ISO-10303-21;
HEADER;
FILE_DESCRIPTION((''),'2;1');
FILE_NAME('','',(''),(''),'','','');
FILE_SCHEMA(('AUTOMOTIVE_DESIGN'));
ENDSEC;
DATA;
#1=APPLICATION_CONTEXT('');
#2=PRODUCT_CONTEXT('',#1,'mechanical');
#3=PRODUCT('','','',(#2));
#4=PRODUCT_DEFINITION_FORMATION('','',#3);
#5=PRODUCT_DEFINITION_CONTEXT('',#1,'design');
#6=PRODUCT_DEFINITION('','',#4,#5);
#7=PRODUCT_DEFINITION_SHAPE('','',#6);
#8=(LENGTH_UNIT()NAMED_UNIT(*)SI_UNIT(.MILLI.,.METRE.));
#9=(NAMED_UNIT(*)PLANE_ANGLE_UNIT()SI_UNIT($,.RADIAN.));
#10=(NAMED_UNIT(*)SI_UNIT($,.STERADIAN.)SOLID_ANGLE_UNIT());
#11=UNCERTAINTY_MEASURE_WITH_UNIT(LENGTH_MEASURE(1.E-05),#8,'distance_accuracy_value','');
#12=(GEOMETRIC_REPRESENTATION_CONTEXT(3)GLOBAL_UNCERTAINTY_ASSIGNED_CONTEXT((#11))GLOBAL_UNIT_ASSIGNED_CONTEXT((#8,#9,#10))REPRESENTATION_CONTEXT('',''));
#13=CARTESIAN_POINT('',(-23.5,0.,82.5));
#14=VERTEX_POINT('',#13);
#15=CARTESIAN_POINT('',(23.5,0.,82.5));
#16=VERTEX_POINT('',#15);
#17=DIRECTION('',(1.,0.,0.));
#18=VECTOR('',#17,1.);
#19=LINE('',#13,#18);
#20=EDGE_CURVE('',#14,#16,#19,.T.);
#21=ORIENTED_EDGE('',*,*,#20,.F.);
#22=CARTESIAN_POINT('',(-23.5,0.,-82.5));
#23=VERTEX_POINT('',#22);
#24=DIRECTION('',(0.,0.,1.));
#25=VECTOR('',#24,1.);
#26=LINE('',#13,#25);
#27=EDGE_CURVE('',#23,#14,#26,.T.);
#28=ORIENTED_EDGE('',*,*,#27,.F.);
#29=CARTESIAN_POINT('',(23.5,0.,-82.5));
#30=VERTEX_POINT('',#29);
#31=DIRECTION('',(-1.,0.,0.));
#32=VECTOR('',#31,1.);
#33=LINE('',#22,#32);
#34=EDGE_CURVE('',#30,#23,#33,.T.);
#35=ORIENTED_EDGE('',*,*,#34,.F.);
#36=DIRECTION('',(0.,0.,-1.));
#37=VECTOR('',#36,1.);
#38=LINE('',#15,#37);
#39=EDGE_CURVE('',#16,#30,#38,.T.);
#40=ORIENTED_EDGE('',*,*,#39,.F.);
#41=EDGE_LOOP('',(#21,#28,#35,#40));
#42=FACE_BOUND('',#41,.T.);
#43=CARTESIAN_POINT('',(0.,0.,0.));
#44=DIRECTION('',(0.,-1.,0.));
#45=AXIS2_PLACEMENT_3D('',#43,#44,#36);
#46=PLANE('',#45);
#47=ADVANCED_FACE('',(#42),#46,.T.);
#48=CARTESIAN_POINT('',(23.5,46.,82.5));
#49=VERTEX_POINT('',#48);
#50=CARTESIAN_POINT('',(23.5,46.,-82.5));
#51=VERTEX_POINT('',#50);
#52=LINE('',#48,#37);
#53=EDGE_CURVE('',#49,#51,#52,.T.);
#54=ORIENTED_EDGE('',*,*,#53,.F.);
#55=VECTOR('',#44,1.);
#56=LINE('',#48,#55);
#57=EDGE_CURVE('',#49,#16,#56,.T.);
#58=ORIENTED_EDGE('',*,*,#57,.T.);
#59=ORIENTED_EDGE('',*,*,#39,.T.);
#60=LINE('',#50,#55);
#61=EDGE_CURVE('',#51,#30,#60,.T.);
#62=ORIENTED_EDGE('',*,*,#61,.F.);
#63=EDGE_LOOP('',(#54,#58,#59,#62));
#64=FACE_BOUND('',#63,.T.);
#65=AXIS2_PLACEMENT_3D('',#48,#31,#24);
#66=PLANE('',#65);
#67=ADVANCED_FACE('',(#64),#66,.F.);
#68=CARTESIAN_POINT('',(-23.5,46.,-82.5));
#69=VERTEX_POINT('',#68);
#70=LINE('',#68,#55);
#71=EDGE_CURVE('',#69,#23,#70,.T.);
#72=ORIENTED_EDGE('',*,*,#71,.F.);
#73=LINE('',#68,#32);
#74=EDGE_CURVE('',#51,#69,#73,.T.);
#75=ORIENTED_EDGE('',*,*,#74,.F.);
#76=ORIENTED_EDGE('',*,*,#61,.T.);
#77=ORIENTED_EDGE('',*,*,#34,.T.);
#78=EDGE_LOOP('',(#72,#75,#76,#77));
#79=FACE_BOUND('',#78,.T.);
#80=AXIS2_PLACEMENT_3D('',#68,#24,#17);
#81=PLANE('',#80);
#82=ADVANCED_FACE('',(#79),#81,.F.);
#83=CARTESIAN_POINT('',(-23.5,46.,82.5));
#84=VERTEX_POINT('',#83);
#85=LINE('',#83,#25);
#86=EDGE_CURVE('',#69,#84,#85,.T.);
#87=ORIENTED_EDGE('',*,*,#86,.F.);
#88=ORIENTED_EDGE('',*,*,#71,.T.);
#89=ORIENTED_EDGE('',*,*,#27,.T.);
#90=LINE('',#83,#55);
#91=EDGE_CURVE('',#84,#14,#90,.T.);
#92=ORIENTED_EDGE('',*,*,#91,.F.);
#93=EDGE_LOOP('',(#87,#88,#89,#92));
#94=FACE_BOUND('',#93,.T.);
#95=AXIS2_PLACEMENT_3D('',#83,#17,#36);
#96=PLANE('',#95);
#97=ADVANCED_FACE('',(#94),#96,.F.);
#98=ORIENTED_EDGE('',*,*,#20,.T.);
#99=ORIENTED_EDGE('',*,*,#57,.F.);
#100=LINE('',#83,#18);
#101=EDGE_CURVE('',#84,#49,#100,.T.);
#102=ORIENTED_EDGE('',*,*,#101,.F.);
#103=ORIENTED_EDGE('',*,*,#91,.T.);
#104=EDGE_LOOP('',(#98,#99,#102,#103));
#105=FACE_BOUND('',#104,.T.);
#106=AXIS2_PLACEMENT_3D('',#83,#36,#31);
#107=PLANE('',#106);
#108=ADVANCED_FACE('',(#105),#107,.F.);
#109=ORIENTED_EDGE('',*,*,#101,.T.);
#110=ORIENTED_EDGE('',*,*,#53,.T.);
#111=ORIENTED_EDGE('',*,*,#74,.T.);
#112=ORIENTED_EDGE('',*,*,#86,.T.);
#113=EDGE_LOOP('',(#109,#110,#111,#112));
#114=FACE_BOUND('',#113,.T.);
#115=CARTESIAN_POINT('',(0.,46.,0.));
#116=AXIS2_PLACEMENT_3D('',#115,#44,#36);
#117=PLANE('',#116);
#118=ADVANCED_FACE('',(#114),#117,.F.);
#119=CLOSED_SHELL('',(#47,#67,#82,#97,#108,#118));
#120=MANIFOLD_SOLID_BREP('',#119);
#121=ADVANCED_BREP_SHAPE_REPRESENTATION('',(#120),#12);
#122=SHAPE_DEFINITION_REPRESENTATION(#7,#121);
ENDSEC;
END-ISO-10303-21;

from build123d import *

# Parameters (mm, degrees)
SKETCH_1_W      = 47
SKETCH_1_H      = 165
EXTRUDE_1_DEPTH = 46


with BuildPart() as part:
    # 草图1 → 凸台-拉伸1 (new body)
    with BuildSketch(Plane(origin=(0, 0, 0), x_dir=(1, 0, 0), z_dir=(0, 1, 0))):
        Rectangle(SKETCH_1_W, SKETCH_1_H)
    extrude(amount=EXTRUDE_1_DEPTH)


solid = part.part
